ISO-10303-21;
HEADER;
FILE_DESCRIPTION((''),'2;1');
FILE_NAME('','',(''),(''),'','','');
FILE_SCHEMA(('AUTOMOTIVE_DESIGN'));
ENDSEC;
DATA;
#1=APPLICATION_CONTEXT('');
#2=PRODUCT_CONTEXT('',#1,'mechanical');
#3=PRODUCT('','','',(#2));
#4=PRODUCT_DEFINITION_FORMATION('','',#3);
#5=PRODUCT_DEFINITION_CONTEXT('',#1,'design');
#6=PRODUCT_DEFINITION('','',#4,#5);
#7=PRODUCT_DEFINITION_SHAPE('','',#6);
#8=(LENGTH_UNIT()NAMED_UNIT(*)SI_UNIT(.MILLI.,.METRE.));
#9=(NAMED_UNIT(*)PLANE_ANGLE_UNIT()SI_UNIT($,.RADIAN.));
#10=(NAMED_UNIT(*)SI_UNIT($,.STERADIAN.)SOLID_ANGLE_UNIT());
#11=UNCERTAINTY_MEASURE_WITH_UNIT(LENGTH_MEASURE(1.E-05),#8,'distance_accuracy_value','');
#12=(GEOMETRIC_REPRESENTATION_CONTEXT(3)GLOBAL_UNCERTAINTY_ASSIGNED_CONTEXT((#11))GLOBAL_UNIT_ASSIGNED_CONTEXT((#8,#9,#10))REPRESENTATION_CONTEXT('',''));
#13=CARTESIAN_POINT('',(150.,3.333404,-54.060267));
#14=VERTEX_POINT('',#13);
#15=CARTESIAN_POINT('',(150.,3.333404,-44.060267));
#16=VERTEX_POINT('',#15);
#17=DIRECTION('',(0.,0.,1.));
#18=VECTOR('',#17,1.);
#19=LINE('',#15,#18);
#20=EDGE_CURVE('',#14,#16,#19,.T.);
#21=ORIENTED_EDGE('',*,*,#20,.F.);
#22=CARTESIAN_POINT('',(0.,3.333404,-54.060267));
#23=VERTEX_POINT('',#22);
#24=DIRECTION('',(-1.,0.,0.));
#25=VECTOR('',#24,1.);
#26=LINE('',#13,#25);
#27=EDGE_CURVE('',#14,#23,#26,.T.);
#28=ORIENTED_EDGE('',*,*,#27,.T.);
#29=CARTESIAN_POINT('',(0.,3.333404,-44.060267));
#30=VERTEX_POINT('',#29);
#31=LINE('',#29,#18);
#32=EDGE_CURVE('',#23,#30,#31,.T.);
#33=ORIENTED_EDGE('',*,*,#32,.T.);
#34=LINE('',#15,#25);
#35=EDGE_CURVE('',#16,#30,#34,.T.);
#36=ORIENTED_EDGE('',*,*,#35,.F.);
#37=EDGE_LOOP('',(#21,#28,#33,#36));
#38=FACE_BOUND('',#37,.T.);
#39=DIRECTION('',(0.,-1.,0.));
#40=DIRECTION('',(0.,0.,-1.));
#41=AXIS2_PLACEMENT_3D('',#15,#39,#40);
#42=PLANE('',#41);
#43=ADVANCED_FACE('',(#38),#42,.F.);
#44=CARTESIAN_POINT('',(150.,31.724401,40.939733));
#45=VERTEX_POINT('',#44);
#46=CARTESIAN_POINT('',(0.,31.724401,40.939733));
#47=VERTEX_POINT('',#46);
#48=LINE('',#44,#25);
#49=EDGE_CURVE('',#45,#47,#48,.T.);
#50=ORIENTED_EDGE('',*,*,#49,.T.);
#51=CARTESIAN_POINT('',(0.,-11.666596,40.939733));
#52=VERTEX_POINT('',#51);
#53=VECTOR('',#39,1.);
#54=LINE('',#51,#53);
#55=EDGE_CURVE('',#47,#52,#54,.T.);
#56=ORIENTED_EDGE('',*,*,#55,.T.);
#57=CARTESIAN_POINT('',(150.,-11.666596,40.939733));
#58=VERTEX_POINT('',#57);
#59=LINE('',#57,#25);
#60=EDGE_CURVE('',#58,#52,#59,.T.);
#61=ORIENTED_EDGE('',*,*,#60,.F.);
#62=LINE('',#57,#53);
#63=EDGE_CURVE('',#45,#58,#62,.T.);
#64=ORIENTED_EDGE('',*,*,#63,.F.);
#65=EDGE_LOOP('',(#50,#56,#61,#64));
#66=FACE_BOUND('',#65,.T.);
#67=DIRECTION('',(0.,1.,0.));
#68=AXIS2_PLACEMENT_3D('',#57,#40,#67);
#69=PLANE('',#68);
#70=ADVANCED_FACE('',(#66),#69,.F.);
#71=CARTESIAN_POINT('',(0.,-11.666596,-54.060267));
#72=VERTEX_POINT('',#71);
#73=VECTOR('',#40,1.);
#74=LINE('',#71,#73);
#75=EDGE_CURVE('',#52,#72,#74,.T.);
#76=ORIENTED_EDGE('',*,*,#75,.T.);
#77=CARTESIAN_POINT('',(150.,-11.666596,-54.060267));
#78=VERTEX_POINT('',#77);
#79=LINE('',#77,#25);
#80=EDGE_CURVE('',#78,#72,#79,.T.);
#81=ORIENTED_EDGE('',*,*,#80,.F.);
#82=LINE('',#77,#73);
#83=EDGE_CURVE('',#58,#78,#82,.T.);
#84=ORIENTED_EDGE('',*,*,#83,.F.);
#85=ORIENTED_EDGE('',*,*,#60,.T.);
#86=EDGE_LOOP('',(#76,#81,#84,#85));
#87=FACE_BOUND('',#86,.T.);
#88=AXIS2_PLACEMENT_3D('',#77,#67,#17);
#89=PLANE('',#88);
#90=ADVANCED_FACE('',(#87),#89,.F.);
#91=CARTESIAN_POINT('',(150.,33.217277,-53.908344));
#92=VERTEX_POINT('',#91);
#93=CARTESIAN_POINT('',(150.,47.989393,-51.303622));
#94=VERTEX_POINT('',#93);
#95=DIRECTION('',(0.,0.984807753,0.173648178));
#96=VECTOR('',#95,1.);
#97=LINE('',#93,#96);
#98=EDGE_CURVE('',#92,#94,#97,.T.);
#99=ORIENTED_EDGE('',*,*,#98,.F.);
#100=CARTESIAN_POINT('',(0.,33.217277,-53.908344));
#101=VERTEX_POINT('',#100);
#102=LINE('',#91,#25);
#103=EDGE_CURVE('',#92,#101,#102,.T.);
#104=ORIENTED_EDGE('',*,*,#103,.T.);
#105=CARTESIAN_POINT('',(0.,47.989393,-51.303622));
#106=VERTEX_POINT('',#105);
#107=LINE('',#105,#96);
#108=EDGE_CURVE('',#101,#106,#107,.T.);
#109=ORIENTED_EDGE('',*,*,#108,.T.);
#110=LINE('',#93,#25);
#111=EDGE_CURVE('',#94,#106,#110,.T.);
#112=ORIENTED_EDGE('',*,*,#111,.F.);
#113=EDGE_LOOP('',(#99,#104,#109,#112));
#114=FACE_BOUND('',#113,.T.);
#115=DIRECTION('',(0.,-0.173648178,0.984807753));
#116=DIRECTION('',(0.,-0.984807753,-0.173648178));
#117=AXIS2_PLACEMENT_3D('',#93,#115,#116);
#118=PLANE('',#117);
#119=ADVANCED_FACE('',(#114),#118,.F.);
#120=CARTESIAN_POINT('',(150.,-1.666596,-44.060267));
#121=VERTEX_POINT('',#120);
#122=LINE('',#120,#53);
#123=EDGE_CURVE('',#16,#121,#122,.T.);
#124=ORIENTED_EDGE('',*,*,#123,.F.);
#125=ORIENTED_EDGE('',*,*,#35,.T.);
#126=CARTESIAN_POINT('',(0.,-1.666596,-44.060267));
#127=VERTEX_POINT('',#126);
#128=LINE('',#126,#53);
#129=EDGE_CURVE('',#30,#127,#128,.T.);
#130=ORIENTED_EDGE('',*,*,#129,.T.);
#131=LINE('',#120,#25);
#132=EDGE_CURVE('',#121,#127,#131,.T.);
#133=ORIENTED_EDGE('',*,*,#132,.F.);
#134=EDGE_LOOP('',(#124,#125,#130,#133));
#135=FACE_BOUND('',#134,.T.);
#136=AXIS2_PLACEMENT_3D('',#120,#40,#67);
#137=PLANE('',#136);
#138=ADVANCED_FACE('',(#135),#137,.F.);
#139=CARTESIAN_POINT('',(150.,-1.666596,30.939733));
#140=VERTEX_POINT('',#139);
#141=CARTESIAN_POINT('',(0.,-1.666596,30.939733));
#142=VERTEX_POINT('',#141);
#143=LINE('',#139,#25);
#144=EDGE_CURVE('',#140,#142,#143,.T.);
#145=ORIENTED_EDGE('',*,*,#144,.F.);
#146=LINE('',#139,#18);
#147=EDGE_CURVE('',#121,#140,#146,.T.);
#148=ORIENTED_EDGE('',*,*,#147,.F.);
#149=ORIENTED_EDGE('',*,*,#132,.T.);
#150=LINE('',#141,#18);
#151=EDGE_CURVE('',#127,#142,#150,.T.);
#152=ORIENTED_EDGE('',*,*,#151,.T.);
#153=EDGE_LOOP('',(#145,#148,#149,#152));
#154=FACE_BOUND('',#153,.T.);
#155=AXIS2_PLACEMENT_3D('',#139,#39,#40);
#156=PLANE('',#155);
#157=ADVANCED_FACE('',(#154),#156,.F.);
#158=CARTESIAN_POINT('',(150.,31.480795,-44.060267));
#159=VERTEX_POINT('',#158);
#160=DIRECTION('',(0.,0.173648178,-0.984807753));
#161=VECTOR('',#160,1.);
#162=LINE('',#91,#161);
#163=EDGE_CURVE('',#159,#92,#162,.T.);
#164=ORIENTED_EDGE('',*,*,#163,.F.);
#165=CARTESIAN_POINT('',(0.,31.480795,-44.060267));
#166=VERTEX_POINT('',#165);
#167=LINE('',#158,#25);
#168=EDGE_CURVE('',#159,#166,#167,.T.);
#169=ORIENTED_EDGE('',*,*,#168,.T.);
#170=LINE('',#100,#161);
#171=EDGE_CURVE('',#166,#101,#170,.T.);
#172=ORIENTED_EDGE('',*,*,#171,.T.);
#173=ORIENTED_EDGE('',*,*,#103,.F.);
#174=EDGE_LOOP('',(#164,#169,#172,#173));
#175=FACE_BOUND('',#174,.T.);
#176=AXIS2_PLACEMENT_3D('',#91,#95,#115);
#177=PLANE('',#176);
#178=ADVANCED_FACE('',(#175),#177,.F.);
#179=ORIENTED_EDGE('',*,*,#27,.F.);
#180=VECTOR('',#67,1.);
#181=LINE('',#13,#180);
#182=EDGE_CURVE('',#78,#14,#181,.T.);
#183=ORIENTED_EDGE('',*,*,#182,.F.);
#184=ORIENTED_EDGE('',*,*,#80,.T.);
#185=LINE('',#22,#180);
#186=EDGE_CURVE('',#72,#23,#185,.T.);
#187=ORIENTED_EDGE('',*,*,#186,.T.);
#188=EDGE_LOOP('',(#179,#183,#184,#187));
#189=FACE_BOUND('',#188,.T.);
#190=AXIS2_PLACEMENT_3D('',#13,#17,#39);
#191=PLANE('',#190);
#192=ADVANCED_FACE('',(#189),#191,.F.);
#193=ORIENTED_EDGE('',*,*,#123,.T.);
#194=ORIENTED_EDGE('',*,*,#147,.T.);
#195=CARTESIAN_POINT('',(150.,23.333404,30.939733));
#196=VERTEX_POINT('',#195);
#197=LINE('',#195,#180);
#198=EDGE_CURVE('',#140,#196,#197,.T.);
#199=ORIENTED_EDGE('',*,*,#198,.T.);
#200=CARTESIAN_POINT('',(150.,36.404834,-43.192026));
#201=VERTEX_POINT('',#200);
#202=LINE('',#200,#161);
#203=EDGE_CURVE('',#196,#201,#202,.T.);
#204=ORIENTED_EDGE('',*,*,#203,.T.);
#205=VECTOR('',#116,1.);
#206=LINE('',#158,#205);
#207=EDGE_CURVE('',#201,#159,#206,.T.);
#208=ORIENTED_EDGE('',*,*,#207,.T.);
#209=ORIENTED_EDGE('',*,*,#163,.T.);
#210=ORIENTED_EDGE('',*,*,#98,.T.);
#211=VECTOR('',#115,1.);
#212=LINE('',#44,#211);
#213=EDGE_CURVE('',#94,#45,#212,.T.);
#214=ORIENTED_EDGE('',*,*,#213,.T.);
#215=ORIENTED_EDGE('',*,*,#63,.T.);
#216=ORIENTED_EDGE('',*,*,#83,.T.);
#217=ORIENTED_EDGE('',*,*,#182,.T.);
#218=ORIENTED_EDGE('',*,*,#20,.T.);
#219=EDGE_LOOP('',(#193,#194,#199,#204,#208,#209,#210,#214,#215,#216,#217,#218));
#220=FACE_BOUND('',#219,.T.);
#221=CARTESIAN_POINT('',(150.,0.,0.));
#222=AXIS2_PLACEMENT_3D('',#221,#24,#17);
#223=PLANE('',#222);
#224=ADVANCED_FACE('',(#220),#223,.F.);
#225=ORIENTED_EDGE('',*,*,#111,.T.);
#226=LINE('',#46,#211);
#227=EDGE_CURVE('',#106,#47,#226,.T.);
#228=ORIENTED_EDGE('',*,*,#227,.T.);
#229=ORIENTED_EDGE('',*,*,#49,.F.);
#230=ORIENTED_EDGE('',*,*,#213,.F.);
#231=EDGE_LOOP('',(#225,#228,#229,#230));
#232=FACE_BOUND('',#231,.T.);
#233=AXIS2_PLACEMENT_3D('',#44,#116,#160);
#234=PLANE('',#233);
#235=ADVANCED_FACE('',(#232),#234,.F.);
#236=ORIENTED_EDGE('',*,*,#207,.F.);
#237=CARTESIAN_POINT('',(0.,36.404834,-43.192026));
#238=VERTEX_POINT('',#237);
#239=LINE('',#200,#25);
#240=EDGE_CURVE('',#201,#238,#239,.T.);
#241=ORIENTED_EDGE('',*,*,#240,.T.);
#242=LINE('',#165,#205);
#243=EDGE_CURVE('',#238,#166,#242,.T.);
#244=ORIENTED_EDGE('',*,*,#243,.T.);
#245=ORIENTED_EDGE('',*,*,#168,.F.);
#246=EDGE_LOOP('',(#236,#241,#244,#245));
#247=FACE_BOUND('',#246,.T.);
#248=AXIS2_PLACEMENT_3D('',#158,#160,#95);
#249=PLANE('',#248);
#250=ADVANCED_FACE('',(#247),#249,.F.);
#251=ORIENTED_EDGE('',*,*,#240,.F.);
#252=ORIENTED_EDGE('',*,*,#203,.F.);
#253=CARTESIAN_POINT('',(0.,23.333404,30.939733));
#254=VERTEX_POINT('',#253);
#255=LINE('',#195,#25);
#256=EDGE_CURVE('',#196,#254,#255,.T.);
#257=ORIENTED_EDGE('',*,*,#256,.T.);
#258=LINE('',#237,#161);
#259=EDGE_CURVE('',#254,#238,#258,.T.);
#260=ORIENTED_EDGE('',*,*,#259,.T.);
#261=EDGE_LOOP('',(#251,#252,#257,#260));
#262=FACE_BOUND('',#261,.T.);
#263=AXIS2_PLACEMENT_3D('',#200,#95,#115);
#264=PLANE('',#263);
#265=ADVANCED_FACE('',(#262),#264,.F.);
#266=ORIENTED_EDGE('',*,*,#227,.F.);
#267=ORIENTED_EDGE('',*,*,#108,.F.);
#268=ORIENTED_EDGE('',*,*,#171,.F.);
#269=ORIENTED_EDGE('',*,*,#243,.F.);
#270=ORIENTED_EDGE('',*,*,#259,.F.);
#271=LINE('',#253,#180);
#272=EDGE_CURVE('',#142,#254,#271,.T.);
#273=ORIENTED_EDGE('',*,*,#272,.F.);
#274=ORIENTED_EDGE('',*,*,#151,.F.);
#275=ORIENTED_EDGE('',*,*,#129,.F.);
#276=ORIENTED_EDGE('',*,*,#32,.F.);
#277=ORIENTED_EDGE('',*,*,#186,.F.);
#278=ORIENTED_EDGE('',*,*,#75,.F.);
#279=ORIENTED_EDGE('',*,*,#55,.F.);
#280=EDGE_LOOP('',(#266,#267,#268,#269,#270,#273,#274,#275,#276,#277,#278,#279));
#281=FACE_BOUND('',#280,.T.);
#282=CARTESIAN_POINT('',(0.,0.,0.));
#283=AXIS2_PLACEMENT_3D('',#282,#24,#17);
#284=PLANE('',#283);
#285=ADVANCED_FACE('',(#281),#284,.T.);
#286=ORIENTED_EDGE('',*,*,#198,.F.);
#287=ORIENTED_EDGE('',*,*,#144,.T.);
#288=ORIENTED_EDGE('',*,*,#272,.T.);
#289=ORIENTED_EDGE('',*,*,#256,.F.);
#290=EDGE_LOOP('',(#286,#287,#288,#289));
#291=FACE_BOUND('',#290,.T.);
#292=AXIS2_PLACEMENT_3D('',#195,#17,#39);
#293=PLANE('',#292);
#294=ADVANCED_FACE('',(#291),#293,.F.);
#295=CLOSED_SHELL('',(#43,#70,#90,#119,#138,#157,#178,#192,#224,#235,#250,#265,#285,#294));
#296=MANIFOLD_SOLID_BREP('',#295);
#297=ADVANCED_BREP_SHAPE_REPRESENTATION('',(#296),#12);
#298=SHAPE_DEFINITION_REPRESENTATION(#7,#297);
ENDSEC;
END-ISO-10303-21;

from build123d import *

# Parameters (mm, degrees)
BOSS_EXTRUDE1_DEPTH = 150


with BuildPart() as part:
    # Sketch2 → Boss-Extrude1 (new body)
    with BuildSketch(Plane(origin=(0, 0, 0), x_dir=(0, 0, -1), z_dir=(1, 0, 0))):
        Polygon((54.060266815, 3.333404374), (54.060266815, -11.666595626), (-40.939733185, -11.666595626), (-40.939733185, 31.724400686), (51.30362168, 47.98939294), (53.908344345, 33.217276645), (44.060266815, 31.480794868), (43.192025926, 36.404833633), (-30.939733185, 23.333404374), (-30.939733185, -1.666595626), (44.060266815, -1.666595626), (44.060266815, 3.333404374), align=None)
    extrude(amount=BOSS_EXTRUDE1_DEPTH)


solid = part.part
